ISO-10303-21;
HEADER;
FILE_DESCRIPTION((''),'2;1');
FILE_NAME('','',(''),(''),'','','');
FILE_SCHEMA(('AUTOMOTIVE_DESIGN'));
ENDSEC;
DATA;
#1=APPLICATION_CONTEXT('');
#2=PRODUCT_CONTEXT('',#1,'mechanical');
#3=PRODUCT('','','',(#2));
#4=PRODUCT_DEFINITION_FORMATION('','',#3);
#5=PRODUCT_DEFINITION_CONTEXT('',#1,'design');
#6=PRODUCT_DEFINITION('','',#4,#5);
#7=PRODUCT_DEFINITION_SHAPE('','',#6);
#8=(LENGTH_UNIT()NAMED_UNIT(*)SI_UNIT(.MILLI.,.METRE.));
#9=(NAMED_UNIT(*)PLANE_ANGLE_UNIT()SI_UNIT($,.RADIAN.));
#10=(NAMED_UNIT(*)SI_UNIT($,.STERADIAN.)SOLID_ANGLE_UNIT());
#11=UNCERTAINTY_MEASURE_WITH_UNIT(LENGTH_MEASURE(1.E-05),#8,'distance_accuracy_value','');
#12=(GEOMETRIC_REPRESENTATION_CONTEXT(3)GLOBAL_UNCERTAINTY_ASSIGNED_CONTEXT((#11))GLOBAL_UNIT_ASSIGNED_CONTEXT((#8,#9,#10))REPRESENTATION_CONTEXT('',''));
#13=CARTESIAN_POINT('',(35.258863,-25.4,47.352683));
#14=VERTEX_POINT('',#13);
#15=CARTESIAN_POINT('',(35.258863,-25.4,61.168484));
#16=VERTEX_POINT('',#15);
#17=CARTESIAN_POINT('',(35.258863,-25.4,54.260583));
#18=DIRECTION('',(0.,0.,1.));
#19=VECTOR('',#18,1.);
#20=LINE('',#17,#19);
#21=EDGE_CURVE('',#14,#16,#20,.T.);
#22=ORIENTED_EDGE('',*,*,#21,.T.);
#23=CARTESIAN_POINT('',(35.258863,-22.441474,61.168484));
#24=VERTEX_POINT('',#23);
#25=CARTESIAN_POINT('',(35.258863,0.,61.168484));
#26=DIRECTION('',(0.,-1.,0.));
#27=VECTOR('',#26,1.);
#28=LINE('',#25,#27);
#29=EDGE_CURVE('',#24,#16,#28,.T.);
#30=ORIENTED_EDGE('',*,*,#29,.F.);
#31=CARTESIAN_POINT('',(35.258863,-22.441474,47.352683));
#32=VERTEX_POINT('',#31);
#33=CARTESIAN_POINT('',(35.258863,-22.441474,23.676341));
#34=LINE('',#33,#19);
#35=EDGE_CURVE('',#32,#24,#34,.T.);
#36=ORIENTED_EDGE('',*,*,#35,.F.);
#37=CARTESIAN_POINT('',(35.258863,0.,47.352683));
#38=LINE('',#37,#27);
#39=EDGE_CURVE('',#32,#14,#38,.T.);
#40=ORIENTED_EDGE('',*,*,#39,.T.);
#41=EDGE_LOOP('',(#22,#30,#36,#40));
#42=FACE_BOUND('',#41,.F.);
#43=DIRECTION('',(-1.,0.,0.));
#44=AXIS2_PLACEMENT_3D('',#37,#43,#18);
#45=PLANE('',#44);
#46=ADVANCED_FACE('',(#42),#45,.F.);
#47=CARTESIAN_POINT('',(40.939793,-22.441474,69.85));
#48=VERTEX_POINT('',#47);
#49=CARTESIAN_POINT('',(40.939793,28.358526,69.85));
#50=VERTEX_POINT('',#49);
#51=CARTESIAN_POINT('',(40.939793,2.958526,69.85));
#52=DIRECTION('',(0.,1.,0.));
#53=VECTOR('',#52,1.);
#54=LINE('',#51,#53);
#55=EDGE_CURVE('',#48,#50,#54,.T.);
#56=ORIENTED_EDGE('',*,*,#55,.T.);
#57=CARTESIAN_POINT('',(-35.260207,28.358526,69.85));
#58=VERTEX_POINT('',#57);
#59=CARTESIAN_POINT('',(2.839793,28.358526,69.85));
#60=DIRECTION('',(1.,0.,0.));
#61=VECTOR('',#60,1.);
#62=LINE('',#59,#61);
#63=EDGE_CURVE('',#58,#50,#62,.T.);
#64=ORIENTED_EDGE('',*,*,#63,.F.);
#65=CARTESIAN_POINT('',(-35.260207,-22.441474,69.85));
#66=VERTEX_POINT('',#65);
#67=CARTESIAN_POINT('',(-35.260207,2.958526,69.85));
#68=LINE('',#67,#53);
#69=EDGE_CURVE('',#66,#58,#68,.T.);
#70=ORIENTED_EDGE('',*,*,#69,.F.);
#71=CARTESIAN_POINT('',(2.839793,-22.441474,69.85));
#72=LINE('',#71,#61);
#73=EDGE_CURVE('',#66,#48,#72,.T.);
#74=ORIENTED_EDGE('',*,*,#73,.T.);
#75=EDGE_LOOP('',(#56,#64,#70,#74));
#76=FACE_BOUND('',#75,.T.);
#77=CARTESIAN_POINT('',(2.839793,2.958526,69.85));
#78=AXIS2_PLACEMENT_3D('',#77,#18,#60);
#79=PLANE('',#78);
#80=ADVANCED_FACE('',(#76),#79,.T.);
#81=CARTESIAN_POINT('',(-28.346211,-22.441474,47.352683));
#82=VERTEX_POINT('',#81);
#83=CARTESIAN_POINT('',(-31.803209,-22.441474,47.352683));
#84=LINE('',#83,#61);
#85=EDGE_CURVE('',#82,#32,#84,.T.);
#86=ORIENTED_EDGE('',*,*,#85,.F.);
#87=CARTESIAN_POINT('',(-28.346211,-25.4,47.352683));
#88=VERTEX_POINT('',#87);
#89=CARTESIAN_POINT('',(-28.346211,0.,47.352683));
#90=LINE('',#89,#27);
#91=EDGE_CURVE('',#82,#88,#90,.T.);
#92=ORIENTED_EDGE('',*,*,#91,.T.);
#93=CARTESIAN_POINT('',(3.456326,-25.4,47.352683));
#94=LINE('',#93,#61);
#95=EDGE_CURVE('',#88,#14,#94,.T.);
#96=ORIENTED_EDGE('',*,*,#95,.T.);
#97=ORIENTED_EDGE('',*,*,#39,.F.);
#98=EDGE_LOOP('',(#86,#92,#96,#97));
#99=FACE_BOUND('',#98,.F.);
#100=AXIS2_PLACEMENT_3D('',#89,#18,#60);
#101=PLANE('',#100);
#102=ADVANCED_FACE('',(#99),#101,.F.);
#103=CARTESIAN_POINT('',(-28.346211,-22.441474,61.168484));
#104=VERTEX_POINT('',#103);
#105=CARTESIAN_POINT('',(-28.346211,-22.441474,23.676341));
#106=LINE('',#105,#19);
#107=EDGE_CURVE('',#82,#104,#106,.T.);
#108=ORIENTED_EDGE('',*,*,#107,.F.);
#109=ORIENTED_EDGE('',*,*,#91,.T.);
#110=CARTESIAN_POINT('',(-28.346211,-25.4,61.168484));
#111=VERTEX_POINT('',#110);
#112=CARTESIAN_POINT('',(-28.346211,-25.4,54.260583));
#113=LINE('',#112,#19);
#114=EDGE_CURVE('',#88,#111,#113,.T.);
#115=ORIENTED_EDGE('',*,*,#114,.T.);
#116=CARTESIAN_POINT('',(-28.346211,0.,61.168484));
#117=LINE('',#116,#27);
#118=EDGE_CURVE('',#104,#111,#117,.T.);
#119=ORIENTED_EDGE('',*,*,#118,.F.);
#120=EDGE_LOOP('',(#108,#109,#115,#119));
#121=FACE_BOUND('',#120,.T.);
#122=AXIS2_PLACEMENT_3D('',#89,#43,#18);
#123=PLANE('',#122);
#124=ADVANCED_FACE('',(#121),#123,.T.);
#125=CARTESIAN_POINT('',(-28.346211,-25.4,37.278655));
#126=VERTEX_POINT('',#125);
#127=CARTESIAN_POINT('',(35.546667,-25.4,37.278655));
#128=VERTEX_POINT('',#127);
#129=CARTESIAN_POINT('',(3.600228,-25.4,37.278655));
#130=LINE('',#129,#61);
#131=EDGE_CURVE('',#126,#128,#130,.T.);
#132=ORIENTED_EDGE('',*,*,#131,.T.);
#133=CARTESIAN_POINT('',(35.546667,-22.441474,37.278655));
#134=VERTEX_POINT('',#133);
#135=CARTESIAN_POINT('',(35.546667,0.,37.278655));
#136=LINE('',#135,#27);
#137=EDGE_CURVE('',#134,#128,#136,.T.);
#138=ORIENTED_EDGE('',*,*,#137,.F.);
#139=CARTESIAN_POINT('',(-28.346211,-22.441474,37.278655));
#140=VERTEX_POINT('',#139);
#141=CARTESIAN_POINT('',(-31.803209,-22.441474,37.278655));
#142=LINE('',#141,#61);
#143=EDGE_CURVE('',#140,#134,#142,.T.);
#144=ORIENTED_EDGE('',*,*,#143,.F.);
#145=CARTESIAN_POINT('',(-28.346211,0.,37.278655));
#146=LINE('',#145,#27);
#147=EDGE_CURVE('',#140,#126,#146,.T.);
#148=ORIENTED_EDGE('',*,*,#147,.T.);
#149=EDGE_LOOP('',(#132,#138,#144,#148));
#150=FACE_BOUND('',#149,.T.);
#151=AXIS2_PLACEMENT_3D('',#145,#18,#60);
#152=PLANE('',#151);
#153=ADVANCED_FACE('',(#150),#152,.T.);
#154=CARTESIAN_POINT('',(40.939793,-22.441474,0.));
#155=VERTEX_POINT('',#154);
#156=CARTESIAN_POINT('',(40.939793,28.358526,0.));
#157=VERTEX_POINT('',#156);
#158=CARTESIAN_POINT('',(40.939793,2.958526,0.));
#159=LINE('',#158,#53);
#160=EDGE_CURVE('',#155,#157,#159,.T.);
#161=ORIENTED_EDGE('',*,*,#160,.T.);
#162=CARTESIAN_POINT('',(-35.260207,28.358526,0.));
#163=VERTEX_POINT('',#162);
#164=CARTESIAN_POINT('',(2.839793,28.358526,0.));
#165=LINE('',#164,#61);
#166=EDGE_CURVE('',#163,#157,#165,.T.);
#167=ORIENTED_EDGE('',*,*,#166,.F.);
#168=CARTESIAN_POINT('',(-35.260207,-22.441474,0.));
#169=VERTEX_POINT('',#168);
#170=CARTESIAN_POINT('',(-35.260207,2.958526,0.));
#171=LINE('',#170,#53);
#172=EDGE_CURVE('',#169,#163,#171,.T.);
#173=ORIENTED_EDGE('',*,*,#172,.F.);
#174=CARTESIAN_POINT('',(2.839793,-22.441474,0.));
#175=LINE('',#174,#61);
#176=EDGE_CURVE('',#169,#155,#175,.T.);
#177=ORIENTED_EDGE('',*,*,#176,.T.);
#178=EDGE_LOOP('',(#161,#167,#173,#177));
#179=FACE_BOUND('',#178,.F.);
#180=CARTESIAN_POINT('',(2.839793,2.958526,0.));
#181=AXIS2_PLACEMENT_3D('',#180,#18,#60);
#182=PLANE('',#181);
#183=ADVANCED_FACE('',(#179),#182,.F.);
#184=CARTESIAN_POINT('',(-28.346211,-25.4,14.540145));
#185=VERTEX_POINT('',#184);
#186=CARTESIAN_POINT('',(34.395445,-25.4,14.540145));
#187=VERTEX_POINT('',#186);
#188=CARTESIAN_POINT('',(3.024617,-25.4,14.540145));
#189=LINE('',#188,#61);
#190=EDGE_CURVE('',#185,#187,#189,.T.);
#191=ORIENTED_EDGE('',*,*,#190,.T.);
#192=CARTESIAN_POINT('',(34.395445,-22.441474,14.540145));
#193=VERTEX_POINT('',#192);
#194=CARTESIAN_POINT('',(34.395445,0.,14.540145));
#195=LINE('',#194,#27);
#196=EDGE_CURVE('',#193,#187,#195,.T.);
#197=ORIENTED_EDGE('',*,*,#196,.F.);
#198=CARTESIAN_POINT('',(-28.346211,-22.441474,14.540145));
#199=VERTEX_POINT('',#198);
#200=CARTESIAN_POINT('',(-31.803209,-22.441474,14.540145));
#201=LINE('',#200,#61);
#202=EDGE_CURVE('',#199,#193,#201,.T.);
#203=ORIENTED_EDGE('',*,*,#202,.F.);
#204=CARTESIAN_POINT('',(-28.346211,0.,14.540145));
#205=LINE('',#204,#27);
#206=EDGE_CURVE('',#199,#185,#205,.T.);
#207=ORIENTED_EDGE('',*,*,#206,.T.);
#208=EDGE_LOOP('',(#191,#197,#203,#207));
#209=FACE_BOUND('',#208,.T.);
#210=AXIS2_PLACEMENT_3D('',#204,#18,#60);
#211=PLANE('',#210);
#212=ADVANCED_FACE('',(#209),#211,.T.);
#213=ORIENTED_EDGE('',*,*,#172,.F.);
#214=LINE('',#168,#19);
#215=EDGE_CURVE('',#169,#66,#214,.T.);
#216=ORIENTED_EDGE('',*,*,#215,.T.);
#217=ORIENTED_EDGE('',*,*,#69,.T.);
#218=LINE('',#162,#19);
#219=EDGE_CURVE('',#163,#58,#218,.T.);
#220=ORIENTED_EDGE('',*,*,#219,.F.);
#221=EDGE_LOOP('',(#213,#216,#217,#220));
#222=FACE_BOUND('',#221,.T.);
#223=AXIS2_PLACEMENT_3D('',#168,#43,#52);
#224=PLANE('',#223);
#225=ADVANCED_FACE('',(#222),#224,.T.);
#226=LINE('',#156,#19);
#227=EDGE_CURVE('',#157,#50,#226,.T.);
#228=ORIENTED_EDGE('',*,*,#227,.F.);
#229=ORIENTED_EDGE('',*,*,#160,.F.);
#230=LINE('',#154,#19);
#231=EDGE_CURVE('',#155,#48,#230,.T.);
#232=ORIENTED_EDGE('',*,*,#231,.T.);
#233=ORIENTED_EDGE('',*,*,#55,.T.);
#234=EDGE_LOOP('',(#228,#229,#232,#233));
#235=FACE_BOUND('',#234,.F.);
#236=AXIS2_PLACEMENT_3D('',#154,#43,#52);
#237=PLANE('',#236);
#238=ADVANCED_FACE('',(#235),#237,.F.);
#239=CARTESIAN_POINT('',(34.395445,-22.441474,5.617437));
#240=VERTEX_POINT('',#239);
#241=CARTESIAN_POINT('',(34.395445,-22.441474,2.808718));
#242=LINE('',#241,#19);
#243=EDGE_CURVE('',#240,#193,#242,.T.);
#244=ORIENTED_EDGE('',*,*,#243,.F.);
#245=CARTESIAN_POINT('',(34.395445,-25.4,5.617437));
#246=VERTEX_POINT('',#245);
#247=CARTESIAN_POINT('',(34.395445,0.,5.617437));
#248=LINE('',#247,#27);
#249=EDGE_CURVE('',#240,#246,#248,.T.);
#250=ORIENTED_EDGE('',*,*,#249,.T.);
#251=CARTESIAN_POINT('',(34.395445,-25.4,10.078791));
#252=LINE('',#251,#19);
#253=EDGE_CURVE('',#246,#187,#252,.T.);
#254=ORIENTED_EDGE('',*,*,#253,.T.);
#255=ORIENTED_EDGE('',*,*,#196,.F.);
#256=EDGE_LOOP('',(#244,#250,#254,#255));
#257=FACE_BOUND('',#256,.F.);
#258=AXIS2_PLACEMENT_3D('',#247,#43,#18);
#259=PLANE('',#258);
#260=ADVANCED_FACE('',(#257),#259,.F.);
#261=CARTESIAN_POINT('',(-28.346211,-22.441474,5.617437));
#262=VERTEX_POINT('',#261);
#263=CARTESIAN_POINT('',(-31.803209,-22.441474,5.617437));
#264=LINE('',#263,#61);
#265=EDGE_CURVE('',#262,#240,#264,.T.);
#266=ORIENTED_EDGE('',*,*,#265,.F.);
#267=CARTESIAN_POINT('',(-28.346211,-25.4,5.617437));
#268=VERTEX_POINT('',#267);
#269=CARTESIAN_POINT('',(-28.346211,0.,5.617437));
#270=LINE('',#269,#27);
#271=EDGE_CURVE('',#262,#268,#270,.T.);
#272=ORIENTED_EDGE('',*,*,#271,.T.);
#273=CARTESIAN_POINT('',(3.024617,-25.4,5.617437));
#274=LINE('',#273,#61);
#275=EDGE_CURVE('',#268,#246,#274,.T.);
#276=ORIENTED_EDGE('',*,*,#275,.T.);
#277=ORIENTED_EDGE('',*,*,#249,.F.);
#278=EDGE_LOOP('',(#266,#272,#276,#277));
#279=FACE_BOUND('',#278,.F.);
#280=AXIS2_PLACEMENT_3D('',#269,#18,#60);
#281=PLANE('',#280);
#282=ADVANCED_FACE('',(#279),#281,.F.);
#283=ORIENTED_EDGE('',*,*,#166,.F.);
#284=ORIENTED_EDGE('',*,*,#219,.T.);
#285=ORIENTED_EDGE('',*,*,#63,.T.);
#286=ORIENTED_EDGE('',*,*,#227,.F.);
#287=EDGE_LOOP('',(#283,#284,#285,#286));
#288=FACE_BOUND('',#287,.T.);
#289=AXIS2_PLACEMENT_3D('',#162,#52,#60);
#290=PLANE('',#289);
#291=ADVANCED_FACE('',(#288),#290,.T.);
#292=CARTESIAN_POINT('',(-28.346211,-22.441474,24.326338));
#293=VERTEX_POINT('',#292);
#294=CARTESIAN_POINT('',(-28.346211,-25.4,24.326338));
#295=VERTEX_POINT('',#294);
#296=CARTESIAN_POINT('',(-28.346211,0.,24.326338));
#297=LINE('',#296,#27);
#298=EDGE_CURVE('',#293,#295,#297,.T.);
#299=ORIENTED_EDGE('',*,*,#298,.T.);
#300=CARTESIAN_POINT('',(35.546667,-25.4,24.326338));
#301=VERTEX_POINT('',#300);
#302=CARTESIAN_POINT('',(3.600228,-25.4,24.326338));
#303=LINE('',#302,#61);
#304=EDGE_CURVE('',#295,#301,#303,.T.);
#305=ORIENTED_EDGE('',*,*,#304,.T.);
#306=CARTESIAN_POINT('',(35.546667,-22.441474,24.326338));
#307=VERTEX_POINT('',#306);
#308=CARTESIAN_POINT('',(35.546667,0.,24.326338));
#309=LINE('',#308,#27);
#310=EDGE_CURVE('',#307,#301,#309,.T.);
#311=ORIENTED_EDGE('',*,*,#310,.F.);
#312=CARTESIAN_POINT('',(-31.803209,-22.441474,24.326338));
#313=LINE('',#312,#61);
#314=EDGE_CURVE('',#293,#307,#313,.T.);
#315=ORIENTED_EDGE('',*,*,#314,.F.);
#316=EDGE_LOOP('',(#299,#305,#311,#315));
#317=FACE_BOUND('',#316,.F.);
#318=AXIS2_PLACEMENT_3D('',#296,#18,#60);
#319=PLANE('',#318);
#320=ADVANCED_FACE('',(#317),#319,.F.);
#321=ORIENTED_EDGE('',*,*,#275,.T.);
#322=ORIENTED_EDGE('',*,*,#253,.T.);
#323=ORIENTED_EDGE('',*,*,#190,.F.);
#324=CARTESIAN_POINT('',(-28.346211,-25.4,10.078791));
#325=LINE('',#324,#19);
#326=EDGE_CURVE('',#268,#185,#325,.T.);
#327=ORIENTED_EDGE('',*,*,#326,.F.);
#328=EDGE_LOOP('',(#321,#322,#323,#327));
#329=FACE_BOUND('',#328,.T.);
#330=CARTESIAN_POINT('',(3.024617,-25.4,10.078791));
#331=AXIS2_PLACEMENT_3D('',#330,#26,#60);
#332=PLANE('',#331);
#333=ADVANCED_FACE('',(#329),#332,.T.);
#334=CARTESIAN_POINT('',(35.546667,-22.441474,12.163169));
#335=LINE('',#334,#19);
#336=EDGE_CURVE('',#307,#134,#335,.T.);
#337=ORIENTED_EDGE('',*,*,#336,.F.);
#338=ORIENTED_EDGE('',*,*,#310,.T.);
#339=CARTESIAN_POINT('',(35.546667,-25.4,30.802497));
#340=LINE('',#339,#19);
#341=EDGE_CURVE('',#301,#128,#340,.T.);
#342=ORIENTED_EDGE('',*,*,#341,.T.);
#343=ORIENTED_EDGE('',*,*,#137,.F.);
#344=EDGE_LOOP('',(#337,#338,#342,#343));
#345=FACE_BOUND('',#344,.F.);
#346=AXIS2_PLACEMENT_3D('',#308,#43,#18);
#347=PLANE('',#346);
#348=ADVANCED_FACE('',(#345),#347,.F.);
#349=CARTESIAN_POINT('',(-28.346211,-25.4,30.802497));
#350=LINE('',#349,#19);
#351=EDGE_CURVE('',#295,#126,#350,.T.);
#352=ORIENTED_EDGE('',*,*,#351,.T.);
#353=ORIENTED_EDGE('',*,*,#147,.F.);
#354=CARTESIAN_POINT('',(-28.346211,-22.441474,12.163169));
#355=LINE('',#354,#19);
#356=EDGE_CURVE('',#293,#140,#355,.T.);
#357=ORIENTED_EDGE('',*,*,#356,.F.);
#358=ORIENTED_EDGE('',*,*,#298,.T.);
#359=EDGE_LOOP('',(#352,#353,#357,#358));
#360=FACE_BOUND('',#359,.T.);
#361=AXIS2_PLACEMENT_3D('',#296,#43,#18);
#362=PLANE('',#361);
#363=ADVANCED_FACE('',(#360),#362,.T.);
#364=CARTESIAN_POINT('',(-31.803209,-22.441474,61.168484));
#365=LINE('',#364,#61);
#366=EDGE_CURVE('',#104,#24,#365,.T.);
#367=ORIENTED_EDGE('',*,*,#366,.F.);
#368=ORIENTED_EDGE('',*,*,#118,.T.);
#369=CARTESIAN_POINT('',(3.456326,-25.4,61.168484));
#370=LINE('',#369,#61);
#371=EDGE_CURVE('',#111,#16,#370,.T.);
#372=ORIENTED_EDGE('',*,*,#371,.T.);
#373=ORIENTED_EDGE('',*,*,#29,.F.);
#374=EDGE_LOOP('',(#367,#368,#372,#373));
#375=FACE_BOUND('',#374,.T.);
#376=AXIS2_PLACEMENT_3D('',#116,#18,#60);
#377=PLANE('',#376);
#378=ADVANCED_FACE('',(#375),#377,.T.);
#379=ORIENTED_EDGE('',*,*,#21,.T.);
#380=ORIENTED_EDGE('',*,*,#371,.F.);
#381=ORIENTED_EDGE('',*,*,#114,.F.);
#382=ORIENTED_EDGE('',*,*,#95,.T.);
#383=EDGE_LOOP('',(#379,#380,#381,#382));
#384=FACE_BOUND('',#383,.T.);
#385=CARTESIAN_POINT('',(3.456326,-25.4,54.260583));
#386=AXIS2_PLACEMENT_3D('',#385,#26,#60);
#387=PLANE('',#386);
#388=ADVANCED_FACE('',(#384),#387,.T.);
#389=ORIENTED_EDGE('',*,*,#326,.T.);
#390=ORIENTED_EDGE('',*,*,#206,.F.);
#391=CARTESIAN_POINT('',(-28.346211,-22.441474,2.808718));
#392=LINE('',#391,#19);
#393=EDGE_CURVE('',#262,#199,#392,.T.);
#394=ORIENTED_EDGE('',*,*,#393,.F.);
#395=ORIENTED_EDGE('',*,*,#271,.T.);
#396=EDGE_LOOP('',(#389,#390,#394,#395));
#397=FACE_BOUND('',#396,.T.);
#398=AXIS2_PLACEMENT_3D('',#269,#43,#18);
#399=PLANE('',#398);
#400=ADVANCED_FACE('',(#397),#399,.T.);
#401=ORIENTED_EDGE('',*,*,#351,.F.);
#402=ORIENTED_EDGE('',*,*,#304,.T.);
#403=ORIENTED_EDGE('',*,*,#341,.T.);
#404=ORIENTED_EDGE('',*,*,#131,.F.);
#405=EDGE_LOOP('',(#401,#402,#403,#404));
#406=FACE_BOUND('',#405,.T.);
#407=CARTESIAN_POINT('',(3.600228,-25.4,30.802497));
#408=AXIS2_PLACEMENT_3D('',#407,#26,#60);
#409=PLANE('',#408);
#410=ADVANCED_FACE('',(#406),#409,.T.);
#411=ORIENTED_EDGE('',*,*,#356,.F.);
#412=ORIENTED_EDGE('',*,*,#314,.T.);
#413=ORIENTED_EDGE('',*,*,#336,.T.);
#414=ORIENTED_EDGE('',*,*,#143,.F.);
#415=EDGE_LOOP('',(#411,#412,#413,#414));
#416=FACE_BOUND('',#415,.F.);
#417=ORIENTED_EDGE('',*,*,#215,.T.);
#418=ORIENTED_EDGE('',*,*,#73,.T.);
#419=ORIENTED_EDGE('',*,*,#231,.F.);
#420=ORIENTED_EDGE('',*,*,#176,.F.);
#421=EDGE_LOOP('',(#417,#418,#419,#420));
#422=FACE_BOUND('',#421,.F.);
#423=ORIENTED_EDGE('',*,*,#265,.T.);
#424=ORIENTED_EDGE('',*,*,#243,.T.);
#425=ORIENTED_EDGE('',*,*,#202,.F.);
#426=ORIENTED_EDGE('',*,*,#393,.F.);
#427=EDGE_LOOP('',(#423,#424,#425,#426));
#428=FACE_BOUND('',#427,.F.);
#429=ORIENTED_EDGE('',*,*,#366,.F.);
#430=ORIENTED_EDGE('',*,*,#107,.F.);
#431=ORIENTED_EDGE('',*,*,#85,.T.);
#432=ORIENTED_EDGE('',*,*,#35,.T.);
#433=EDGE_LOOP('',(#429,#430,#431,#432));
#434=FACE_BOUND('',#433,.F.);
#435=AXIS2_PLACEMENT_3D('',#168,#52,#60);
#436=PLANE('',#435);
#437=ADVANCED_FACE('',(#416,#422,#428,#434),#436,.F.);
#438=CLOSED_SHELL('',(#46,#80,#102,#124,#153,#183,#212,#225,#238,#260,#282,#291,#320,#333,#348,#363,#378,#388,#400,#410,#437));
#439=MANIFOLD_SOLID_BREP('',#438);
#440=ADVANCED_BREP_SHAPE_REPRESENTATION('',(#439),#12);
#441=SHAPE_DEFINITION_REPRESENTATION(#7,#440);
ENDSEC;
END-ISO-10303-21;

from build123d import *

# Parameters (mm, degrees)
F0_W     = 76.2
F0_H     = 50.8
F1_DEPTH = 69.85
F2_W     = 63.605074
F2_H     = 13.815801
F2_W_2   = 63.892879
F2_H_2   = 12.952317
F2_W_3   = 62.741656
F2_H_3   = 8.922708
F3_DEPTH = 25.4


with BuildPart() as f1:
    # F0 (on Top) → F1 (new body)
    with BuildSketch(Plane.XY):
        with Locations((2.839793, 2.958526)):
            Rectangle(F0_W, F0_H)
    extrude(amount=F1_DEPTH)

    # F2 (on Front) → F3 (join)
    with BuildSketch(Plane.XZ):
        with Locations((3.456326, 54.260583)):
            Rectangle(F2_W, F2_H)
        with Locations((3.600228, 30.802497)):
            Rectangle(F2_W_2, F2_H_2)
        with Locations((3.024617, 10.078791)):
            Rectangle(F2_W_3, F2_H_3)
    extrude(amount=F3_DEPTH)


solid = f1.part
